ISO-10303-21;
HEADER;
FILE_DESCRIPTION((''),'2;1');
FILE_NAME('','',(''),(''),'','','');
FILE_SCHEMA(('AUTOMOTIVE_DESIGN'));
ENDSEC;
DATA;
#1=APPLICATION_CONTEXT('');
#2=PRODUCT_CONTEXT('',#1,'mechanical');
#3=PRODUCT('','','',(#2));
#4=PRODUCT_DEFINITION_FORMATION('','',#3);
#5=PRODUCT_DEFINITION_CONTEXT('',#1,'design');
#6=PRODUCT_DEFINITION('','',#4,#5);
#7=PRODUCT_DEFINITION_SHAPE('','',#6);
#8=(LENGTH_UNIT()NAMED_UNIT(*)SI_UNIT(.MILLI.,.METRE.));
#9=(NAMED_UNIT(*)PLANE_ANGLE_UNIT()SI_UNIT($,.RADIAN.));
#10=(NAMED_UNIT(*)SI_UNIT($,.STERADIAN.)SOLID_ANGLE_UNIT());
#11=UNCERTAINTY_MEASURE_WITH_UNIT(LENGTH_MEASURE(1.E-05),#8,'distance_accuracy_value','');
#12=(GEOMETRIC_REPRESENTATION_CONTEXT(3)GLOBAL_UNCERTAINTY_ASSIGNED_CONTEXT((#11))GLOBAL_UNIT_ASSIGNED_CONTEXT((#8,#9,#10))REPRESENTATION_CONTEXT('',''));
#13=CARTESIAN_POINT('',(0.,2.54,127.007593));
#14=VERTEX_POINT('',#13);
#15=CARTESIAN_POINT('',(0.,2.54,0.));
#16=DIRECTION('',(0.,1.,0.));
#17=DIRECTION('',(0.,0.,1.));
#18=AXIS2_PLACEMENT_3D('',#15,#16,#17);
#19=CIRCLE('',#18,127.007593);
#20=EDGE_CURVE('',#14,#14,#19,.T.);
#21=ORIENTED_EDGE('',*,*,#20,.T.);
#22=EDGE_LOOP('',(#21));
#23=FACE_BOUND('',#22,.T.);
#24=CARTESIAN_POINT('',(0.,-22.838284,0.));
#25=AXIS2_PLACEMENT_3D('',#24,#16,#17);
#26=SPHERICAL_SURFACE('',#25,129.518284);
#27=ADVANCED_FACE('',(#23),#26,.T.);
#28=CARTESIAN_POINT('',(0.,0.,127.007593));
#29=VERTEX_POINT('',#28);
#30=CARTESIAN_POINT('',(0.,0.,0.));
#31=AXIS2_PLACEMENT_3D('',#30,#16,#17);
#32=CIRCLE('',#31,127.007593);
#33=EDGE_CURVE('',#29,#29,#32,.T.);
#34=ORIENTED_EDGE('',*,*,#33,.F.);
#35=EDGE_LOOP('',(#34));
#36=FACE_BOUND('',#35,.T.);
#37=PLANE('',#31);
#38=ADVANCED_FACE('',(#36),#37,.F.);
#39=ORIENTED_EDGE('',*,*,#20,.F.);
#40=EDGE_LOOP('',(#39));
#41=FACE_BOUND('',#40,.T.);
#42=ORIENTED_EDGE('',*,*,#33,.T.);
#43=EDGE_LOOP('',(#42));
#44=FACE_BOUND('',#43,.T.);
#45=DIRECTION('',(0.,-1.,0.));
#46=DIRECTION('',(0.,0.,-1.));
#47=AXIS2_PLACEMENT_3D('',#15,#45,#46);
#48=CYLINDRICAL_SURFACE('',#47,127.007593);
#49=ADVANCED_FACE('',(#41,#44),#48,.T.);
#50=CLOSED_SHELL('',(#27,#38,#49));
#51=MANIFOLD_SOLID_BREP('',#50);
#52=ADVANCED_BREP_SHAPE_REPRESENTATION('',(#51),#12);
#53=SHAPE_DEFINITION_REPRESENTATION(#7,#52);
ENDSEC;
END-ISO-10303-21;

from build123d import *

# Parameters (mm, degrees)
SKETCH1_R         = 127.007592972
EXTRUDE1_DEPTH    = 2.54
DOME1_FACE_RADIUS = 127.007592972
DOME1_HEIGHT      = 104.14


with BuildPart() as part:
    # Sketch1 → Extrude1 (new body)
    with BuildSketch(Plane(origin=(0, 0, 0), x_dir=(1, 0, 0), z_dir=(0, 1, 0))):
        with Locations(Location((0, 0, 0), (0, 0, 270))):  # turned: the seam where the file's is
            Circle(SKETCH1_R)
    extrude(amount=EXTRUDE1_DEPTH)

    # Dome1: a dome of height H over a round flat face of radius A is a cap of a sphere of radius (A * A + H * H) / (2 * H)
    dome1_r = (DOME1_FACE_RADIUS * DOME1_FACE_RADIUS + DOME1_HEIGHT * DOME1_HEIGHT) / (2 * DOME1_HEIGHT)
    dome1_base = Plane((0, 2.54, 0), z_dir=(0, 1, 0))
    with Locations(dome1_base.offset(DOME1_HEIGHT - dome1_r)):
        dome1_ball = Sphere(dome1_r, mode=Mode.PRIVATE)
    add(split(dome1_ball, bisect_by=dome1_base, keep=Keep.TOP, mode=Mode.PRIVATE))


solid = part.part
